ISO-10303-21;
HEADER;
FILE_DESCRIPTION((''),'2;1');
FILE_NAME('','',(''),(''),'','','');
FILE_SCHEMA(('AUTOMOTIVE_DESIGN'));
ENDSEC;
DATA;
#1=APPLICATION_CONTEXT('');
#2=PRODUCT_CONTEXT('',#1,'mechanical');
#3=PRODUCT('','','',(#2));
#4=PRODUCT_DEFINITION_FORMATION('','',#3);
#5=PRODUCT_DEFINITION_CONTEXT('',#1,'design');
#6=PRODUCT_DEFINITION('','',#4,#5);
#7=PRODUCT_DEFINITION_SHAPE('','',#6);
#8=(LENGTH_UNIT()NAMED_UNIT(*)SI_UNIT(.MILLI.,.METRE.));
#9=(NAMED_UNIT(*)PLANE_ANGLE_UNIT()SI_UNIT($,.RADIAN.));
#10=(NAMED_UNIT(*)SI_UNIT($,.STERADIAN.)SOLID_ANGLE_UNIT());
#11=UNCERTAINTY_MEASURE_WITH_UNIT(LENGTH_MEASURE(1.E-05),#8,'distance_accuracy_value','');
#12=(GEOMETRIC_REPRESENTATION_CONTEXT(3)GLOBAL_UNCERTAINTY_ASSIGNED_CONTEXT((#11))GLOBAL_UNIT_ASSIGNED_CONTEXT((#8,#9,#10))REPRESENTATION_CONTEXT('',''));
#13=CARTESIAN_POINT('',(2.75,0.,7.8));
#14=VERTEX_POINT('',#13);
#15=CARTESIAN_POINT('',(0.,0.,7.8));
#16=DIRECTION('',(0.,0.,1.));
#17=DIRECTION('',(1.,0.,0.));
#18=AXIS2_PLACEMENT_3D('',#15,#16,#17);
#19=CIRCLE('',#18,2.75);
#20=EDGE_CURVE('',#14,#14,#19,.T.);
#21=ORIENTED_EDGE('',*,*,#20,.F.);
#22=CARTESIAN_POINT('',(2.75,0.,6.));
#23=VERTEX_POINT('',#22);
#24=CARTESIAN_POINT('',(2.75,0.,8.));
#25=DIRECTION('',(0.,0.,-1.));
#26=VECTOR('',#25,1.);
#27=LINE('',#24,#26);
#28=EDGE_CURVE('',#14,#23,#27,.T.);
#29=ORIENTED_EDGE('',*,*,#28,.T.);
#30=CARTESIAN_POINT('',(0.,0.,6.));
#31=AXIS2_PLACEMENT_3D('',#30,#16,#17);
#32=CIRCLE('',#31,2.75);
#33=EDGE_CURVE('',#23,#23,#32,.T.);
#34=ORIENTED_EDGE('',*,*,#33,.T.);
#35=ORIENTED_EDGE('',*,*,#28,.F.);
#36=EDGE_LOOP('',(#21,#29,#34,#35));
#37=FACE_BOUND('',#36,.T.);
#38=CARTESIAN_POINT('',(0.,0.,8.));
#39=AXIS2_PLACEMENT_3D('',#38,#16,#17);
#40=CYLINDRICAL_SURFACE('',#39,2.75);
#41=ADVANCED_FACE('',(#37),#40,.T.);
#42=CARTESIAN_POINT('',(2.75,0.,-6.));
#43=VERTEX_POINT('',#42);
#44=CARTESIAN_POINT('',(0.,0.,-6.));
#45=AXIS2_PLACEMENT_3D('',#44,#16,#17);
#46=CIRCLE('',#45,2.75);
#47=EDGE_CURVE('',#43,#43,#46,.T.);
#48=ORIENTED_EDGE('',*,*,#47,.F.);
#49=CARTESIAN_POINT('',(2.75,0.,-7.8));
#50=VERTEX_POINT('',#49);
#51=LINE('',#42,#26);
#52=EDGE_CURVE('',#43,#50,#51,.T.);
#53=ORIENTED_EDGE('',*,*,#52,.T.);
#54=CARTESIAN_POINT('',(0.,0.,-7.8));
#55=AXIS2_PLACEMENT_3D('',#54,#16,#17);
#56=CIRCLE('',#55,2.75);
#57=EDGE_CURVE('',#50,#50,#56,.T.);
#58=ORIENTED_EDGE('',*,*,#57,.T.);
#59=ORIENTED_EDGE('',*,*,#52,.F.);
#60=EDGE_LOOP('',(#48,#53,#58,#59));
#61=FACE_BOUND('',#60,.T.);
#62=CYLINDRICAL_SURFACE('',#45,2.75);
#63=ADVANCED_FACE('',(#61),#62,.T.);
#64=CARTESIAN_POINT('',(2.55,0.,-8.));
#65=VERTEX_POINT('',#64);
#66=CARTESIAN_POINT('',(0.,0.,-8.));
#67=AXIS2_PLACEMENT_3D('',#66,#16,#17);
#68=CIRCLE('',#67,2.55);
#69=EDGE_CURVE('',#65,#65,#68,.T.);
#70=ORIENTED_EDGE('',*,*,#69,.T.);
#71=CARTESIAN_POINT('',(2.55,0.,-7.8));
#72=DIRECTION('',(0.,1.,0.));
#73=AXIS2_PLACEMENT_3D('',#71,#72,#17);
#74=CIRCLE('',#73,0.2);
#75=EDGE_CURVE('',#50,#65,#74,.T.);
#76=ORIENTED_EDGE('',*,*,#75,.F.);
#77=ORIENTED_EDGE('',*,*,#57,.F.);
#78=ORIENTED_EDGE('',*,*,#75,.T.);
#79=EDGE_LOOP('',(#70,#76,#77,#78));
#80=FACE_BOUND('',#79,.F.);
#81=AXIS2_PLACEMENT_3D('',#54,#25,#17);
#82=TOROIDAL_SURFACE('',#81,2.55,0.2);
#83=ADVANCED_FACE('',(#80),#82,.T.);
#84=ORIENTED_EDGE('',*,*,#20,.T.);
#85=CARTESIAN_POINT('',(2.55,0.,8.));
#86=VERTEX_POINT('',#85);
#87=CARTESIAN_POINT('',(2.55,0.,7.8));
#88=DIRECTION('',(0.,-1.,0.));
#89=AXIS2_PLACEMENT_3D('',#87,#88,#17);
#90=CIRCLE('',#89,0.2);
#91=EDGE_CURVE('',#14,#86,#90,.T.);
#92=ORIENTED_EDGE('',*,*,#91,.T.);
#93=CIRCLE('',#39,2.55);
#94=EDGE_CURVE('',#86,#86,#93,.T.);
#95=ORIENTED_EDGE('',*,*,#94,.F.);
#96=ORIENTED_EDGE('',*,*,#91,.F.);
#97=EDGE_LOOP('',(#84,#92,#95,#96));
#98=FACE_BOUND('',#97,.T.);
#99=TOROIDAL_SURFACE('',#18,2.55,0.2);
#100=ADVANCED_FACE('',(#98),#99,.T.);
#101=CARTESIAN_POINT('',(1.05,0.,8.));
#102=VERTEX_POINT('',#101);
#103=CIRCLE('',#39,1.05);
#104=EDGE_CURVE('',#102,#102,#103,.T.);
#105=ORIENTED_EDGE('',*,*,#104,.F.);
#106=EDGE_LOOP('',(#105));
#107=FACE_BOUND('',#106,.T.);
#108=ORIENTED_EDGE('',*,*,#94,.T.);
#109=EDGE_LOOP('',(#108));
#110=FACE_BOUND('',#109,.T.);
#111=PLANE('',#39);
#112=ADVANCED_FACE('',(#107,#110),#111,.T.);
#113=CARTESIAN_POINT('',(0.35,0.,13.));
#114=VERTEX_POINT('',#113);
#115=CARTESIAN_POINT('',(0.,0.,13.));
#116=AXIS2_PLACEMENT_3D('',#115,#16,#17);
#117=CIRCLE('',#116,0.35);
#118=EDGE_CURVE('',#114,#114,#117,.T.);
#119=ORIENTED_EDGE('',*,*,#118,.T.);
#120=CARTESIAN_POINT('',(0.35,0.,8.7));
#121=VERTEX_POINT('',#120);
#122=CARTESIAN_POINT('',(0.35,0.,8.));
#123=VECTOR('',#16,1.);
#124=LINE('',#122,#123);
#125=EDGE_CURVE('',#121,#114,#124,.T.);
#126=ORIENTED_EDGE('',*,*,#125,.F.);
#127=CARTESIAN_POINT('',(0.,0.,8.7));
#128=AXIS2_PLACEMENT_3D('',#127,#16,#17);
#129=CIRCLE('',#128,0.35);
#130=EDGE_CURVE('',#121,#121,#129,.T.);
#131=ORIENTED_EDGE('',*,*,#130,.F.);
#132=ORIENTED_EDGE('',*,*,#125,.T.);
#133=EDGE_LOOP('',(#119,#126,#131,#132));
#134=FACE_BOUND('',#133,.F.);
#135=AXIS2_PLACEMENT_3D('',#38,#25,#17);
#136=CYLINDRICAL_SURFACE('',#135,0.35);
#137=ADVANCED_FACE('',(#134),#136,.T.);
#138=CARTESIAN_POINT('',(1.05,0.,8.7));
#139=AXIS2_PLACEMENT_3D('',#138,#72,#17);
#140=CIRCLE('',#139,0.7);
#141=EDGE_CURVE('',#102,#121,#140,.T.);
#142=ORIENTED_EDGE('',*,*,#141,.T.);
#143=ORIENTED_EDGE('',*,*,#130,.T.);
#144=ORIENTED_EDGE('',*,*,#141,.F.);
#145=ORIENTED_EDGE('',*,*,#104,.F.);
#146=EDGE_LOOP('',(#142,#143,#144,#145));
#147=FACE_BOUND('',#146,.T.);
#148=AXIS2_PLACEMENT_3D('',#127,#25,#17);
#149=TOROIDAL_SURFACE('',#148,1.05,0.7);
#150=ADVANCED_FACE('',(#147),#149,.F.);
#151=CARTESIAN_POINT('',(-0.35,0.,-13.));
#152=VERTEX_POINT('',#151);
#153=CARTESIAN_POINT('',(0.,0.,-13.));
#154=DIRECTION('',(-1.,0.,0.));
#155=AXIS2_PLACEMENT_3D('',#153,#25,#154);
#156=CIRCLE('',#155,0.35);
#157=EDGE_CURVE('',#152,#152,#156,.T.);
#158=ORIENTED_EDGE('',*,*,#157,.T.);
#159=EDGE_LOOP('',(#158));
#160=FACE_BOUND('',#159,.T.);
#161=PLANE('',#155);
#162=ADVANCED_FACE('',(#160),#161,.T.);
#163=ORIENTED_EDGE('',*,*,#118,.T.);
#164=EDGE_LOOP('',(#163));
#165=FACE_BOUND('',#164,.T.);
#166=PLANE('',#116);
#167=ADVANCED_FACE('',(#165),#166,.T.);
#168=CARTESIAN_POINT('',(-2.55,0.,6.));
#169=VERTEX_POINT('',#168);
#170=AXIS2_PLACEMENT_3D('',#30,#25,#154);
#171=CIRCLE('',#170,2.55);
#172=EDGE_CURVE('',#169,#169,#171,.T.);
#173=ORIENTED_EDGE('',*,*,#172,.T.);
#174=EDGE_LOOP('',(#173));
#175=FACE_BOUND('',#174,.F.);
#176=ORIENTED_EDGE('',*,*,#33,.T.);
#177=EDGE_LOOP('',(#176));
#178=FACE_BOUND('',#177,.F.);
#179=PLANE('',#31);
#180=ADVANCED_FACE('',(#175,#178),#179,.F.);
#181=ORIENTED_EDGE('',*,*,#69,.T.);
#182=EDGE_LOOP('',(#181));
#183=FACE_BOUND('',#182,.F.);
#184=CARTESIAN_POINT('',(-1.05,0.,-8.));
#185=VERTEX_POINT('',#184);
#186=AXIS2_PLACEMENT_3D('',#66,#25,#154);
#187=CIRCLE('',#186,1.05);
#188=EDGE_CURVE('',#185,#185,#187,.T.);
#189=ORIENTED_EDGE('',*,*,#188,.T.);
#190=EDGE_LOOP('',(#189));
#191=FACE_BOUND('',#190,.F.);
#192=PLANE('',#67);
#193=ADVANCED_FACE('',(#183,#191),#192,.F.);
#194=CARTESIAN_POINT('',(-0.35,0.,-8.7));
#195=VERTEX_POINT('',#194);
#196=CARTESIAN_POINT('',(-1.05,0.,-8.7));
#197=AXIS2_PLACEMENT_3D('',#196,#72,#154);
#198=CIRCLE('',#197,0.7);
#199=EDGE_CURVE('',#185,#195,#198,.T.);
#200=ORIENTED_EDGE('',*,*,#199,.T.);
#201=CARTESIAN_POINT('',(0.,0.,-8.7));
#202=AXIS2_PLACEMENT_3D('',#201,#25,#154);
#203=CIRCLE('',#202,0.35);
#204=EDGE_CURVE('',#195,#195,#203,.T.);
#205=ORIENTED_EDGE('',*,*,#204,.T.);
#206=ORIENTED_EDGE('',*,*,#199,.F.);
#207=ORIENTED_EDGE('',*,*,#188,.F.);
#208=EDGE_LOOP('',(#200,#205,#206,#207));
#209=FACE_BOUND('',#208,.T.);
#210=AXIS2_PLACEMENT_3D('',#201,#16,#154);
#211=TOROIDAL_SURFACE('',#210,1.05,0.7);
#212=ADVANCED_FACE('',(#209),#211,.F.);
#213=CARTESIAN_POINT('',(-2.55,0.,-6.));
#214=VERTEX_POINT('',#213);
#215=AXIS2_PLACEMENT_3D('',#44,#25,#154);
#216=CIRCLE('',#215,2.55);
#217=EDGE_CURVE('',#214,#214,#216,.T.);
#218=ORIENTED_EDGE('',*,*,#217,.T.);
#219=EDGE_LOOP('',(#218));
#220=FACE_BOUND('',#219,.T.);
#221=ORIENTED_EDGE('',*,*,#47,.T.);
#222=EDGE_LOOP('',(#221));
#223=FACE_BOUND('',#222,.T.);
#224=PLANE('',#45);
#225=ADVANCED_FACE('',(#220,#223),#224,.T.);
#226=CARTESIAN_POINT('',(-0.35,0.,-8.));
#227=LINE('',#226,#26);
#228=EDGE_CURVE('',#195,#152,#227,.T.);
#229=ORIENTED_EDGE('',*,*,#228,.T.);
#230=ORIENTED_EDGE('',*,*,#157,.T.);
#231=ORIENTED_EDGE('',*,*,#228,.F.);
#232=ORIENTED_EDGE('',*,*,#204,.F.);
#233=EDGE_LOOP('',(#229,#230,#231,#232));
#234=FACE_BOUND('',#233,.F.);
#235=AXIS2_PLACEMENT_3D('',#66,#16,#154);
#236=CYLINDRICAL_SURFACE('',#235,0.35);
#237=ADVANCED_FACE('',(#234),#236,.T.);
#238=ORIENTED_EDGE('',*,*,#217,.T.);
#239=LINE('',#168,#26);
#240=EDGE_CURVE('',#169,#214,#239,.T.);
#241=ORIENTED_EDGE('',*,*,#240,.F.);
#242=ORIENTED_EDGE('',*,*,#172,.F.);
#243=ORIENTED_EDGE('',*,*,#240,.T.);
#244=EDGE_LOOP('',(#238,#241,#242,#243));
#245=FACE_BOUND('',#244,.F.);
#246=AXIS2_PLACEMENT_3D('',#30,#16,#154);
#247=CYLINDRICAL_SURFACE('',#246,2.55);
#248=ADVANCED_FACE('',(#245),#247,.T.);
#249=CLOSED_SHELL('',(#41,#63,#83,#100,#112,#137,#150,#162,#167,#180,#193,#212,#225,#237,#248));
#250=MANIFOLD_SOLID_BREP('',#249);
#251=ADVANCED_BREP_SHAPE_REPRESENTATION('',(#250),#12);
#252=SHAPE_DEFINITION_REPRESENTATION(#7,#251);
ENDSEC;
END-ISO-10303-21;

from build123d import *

# Parameters (mm, degrees)
SKETCH1_R           = 2.75
BOSS_EXTRUDE1_DEPTH = 2
SKETCH2_R           = 2.55
BOSS_EXTRUDE2_DEPTH = 12
SKETCH3_R           = 2.75
BOSS_EXTRUDE3_DEPTH = 2
SKETCH4_R           = 0.35
BOSS_EXTRUDE4_DEPTH = 5
SKETCH5_R           = 0.35
BOSS_EXTRUDE5_DEPTH = 5
FILLET1_R           = 0.2
FILLET2_R           = 0.7


with BuildPart() as part:
    # Sketch1 → Boss-Extrude1 (new body)
    with BuildSketch(Plane.XY.offset(8)):
        Circle(SKETCH1_R)
    extrude(amount=-BOSS_EXTRUDE1_DEPTH)

    # Sketch2 → Boss-Extrude2 (add)
    with BuildSketch(Plane(origin=(0, 0, 6), x_dir=(-1, 0, 0), z_dir=(0, 0, -1))):
        Circle(SKETCH2_R)
    extrude(amount=BOSS_EXTRUDE2_DEPTH)

    # Sketch3 → Boss-Extrude3 (add)
    with BuildSketch(Plane.XY.offset(-6)):
        Circle(SKETCH3_R)
    extrude(amount=-BOSS_EXTRUDE3_DEPTH)

    # Sketch4 → Boss-Extrude4 (add)
    with BuildSketch(Plane.XY.offset(8)):
        Circle(SKETCH4_R)
    extrude(amount=BOSS_EXTRUDE4_DEPTH)

    # Sketch5 → Boss-Extrude5 (add)
    with BuildSketch(Plane(origin=(0, 0, -8), x_dir=(-1, 0, 0), z_dir=(0, 0, -1))):
        Circle(SKETCH5_R)
    extrude(amount=BOSS_EXTRUDE5_DEPTH)

    # Fillet1
    fillet1_edges = [part.edges().sort_by_distance(p)[0] for p in [
        (-2.75, 0, 8),
        (-2.75, 0, -8),
    ]]
    fillet(fillet1_edges, radius=FILLET1_R)

    # Fillet2
    fillet2_edges = [part.edges().sort_by_distance(p)[0] for p in [
        (-0.35, 0, 8),
        (0.35, 0, -8),
    ]]
    fillet(fillet2_edges, radius=FILLET2_R)


solid = part.part
